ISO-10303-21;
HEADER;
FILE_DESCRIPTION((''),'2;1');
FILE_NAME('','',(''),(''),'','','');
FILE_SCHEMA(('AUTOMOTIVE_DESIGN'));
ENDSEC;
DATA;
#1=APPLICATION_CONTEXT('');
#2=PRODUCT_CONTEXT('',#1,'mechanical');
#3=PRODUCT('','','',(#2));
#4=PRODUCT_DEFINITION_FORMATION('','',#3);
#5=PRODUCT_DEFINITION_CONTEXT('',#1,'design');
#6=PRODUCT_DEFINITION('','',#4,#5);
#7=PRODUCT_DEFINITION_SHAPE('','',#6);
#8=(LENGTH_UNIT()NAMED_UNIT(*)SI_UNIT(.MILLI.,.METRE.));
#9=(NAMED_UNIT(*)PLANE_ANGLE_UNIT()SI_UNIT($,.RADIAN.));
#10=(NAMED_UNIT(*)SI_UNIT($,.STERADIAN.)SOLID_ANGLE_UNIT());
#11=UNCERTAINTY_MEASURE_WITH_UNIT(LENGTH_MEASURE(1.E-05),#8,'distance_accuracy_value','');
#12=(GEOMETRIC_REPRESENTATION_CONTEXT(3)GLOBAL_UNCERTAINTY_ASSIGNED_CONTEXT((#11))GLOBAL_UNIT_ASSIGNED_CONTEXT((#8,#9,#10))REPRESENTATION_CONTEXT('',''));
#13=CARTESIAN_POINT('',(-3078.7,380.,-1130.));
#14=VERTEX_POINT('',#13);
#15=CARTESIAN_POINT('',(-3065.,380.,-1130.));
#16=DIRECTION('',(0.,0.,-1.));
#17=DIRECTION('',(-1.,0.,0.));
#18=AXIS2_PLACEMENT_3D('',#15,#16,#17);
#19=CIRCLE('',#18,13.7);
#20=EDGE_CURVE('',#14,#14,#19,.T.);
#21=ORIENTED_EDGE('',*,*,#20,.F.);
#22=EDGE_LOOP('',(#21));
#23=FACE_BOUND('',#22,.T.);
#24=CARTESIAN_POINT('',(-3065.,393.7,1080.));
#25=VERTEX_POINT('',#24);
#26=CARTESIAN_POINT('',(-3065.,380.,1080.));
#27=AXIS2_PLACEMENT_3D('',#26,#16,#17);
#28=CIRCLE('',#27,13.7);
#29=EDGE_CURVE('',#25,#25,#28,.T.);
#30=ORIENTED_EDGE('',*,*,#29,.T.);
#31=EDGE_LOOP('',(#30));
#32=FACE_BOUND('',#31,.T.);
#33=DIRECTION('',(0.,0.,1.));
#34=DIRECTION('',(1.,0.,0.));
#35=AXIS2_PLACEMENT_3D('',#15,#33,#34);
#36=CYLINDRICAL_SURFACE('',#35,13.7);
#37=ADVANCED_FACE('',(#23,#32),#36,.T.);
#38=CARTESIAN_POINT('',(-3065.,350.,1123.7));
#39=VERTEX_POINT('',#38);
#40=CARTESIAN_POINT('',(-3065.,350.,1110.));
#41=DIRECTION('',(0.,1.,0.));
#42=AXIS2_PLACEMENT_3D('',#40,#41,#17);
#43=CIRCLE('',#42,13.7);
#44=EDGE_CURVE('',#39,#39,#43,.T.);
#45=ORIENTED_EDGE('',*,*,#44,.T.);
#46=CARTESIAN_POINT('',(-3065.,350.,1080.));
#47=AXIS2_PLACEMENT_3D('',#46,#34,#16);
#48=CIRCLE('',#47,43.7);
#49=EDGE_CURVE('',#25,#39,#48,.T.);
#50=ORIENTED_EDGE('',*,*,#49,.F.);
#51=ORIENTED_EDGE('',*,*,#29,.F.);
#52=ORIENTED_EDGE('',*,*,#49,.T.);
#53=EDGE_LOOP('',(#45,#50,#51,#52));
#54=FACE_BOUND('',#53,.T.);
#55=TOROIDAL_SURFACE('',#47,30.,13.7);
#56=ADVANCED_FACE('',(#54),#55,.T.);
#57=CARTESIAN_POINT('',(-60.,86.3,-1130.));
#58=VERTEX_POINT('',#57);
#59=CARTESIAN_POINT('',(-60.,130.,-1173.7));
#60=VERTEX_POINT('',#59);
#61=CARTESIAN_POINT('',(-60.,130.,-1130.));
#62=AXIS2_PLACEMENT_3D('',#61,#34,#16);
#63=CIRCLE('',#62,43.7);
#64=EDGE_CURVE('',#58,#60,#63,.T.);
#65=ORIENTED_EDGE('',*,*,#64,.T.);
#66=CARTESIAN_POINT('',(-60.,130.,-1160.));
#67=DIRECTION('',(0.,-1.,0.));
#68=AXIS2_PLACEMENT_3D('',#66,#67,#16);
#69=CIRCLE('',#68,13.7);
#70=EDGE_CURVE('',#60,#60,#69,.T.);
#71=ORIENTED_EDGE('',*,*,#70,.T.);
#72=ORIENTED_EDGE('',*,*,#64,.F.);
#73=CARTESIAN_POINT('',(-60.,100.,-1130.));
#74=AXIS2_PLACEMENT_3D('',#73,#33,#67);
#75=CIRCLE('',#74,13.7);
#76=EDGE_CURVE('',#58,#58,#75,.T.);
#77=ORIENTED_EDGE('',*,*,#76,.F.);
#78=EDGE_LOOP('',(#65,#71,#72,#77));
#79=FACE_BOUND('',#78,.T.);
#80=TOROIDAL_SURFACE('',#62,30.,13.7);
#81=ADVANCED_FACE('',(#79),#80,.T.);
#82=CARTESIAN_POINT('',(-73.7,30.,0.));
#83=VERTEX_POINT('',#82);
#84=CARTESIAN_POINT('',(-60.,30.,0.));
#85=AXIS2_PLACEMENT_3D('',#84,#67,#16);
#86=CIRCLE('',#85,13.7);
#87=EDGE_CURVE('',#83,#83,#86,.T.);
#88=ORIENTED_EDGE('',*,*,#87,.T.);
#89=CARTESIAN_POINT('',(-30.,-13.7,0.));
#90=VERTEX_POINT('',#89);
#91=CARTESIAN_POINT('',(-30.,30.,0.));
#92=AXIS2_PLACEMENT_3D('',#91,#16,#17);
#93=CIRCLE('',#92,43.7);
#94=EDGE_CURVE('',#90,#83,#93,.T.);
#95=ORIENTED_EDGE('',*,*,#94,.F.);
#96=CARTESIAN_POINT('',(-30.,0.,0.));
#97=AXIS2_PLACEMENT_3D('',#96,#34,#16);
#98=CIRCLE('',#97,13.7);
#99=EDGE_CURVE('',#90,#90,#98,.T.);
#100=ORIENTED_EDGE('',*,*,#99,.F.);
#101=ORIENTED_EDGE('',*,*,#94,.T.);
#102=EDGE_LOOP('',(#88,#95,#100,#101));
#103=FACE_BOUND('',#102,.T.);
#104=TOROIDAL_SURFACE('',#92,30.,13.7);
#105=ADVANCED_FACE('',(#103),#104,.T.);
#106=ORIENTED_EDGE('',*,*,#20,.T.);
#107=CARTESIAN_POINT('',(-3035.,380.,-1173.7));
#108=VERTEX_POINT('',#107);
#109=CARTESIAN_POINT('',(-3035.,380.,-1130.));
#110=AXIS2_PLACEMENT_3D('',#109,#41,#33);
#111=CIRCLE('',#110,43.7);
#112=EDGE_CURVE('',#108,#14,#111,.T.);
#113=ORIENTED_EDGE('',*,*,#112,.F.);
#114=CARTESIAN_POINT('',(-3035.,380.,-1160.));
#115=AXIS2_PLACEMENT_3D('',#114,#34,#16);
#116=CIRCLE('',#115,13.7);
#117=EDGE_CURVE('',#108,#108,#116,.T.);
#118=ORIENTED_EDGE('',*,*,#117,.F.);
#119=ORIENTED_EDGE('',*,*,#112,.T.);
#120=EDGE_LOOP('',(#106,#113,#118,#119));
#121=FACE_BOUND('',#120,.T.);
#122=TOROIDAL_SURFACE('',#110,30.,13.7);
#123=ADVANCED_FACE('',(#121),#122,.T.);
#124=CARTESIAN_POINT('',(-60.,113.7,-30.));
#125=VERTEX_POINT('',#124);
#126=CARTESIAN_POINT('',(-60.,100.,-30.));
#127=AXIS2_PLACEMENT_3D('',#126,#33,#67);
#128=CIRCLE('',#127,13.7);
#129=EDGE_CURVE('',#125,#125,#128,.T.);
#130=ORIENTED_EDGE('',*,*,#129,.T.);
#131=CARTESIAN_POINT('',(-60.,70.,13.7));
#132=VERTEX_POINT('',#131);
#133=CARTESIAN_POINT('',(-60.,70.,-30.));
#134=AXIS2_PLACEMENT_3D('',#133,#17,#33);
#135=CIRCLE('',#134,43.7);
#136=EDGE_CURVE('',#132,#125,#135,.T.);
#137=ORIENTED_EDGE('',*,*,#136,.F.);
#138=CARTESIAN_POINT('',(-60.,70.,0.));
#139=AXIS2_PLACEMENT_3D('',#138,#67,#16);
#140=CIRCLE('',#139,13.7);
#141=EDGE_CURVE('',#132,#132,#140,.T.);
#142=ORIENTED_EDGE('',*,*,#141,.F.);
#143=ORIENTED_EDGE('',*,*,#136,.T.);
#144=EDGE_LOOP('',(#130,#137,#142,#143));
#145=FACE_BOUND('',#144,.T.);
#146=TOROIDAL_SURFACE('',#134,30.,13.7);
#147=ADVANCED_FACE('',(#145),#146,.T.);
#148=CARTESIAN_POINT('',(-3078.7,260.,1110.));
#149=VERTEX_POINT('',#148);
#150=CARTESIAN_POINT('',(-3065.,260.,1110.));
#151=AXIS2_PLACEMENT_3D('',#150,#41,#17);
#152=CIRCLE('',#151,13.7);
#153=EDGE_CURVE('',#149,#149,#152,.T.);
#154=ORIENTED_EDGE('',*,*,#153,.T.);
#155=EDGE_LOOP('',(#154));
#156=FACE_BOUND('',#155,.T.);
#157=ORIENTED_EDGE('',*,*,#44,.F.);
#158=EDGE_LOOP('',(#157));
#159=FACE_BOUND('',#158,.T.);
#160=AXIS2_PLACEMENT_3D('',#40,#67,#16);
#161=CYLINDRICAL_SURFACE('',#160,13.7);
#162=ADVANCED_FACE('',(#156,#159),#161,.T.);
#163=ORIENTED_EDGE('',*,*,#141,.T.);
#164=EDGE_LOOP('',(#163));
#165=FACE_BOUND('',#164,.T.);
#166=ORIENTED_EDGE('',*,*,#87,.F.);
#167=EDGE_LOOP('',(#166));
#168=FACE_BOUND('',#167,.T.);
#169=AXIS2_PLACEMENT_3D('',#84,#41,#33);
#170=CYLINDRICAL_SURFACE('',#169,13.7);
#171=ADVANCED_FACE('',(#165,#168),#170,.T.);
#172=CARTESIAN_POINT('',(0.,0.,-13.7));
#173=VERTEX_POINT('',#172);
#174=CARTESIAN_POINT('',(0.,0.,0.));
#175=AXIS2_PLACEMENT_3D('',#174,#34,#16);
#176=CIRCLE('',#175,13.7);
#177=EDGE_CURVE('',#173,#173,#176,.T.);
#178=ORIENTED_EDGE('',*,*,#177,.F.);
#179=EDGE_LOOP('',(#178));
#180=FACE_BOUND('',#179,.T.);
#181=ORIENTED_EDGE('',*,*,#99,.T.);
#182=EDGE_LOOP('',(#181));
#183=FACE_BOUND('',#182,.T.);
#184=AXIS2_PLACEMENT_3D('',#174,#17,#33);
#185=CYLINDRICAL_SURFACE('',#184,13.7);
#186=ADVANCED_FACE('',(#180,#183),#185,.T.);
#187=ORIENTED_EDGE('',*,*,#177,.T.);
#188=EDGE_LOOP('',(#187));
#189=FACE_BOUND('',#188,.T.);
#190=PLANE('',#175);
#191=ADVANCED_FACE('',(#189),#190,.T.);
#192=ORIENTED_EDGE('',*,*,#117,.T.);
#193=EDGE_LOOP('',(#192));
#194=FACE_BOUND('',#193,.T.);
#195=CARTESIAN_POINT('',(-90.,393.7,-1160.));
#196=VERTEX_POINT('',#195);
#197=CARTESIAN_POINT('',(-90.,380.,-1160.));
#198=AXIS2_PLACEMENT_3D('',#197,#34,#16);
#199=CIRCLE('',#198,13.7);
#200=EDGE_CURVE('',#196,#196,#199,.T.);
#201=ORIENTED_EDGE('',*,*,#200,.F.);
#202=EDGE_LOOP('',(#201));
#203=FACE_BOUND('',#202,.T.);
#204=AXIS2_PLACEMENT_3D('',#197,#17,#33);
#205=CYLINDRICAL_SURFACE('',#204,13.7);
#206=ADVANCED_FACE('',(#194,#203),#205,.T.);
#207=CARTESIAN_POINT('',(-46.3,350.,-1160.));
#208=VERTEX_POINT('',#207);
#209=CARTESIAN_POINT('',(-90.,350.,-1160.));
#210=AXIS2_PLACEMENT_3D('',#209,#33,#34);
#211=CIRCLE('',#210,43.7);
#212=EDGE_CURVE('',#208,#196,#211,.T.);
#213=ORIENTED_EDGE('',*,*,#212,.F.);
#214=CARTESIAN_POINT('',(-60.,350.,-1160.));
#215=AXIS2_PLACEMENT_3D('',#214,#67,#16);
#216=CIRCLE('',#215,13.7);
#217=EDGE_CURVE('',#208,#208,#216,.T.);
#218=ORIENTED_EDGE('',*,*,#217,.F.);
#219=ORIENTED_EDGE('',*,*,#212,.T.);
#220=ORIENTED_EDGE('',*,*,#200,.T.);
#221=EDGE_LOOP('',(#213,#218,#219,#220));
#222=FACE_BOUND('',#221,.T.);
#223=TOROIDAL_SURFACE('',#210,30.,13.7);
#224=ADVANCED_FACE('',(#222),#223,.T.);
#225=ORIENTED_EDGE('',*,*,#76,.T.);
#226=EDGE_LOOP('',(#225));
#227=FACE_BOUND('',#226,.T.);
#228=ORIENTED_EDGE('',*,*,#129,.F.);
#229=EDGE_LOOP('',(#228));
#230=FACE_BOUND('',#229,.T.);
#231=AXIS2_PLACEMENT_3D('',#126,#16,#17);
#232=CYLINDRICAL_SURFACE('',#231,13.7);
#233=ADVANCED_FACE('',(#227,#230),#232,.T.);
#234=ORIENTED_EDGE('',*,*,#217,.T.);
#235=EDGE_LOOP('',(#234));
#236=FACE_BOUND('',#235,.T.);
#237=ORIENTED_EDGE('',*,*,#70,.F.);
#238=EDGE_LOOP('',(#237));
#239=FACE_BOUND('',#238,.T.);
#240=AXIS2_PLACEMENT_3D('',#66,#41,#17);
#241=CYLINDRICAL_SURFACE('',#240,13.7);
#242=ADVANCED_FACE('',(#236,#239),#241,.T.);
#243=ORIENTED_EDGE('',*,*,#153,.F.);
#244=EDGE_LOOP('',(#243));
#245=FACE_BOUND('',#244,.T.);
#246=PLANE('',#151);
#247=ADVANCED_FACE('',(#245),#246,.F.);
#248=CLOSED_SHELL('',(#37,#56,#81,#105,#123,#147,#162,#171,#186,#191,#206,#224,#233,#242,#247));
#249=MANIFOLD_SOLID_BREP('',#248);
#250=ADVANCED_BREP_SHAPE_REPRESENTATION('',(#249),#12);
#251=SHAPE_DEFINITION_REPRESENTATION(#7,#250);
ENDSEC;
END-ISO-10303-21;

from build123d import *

# Parameters (mm, degrees)
CROQUIS1_R = 13.7


with BuildPart() as part:
    # Barrer1: sweep along a curve in space
    with BuildLine() as barrer1_path:
        Line((0, 0, 0), (-30, 0, 0))
        ThreePointArc((-30, 0, 0), (-51.213203436, 8.786796564, 0), (-60, 30, 0))
        Line((-60, 30, 0), (-60, 70, 0))
        ThreePointArc((-60, 70, 0), (-60, 91.213203436, -8.786796564), (-60, 100, -30))
        Line((-60, 100, -30), (-60, 100, -1130))
        ThreePointArc((-60, 130, -1160), (-60, 108.786796564, -1151.213203436), (-60, 100, -1130))
        Line((-60, 130, -1160), (-60, 350, -1160))
        ThreePointArc((-60, 350, -1160), (-68.786796564, 371.213203436, -1160), (-90, 380, -1160))
        Line((-90, 380, -1160), (-3035, 380, -1160))
        ThreePointArc((-3035, 380, -1160), (-3056.213203436, 380, -1151.213203436), (-3065, 380, -1130))
        Line((-3065, 380, -1130), (-3065, 380, 1080))
        ThreePointArc((-3065, 380, 1080), (-3065, 371.213203436, 1101.213203436), (-3065, 350, 1110))
        Line((-3065, 350, 1110), (-3065, 260, 1110))
    # Croquis1 → Barrer1 (sweep)
    with BuildSketch(Plane(origin=(0, 0, 0), x_dir=(0, 0, -1), z_dir=(1, 0, 0))):
        Circle(CROQUIS1_R)
    sweep(path=barrer1_path.line)


solid = part.part
